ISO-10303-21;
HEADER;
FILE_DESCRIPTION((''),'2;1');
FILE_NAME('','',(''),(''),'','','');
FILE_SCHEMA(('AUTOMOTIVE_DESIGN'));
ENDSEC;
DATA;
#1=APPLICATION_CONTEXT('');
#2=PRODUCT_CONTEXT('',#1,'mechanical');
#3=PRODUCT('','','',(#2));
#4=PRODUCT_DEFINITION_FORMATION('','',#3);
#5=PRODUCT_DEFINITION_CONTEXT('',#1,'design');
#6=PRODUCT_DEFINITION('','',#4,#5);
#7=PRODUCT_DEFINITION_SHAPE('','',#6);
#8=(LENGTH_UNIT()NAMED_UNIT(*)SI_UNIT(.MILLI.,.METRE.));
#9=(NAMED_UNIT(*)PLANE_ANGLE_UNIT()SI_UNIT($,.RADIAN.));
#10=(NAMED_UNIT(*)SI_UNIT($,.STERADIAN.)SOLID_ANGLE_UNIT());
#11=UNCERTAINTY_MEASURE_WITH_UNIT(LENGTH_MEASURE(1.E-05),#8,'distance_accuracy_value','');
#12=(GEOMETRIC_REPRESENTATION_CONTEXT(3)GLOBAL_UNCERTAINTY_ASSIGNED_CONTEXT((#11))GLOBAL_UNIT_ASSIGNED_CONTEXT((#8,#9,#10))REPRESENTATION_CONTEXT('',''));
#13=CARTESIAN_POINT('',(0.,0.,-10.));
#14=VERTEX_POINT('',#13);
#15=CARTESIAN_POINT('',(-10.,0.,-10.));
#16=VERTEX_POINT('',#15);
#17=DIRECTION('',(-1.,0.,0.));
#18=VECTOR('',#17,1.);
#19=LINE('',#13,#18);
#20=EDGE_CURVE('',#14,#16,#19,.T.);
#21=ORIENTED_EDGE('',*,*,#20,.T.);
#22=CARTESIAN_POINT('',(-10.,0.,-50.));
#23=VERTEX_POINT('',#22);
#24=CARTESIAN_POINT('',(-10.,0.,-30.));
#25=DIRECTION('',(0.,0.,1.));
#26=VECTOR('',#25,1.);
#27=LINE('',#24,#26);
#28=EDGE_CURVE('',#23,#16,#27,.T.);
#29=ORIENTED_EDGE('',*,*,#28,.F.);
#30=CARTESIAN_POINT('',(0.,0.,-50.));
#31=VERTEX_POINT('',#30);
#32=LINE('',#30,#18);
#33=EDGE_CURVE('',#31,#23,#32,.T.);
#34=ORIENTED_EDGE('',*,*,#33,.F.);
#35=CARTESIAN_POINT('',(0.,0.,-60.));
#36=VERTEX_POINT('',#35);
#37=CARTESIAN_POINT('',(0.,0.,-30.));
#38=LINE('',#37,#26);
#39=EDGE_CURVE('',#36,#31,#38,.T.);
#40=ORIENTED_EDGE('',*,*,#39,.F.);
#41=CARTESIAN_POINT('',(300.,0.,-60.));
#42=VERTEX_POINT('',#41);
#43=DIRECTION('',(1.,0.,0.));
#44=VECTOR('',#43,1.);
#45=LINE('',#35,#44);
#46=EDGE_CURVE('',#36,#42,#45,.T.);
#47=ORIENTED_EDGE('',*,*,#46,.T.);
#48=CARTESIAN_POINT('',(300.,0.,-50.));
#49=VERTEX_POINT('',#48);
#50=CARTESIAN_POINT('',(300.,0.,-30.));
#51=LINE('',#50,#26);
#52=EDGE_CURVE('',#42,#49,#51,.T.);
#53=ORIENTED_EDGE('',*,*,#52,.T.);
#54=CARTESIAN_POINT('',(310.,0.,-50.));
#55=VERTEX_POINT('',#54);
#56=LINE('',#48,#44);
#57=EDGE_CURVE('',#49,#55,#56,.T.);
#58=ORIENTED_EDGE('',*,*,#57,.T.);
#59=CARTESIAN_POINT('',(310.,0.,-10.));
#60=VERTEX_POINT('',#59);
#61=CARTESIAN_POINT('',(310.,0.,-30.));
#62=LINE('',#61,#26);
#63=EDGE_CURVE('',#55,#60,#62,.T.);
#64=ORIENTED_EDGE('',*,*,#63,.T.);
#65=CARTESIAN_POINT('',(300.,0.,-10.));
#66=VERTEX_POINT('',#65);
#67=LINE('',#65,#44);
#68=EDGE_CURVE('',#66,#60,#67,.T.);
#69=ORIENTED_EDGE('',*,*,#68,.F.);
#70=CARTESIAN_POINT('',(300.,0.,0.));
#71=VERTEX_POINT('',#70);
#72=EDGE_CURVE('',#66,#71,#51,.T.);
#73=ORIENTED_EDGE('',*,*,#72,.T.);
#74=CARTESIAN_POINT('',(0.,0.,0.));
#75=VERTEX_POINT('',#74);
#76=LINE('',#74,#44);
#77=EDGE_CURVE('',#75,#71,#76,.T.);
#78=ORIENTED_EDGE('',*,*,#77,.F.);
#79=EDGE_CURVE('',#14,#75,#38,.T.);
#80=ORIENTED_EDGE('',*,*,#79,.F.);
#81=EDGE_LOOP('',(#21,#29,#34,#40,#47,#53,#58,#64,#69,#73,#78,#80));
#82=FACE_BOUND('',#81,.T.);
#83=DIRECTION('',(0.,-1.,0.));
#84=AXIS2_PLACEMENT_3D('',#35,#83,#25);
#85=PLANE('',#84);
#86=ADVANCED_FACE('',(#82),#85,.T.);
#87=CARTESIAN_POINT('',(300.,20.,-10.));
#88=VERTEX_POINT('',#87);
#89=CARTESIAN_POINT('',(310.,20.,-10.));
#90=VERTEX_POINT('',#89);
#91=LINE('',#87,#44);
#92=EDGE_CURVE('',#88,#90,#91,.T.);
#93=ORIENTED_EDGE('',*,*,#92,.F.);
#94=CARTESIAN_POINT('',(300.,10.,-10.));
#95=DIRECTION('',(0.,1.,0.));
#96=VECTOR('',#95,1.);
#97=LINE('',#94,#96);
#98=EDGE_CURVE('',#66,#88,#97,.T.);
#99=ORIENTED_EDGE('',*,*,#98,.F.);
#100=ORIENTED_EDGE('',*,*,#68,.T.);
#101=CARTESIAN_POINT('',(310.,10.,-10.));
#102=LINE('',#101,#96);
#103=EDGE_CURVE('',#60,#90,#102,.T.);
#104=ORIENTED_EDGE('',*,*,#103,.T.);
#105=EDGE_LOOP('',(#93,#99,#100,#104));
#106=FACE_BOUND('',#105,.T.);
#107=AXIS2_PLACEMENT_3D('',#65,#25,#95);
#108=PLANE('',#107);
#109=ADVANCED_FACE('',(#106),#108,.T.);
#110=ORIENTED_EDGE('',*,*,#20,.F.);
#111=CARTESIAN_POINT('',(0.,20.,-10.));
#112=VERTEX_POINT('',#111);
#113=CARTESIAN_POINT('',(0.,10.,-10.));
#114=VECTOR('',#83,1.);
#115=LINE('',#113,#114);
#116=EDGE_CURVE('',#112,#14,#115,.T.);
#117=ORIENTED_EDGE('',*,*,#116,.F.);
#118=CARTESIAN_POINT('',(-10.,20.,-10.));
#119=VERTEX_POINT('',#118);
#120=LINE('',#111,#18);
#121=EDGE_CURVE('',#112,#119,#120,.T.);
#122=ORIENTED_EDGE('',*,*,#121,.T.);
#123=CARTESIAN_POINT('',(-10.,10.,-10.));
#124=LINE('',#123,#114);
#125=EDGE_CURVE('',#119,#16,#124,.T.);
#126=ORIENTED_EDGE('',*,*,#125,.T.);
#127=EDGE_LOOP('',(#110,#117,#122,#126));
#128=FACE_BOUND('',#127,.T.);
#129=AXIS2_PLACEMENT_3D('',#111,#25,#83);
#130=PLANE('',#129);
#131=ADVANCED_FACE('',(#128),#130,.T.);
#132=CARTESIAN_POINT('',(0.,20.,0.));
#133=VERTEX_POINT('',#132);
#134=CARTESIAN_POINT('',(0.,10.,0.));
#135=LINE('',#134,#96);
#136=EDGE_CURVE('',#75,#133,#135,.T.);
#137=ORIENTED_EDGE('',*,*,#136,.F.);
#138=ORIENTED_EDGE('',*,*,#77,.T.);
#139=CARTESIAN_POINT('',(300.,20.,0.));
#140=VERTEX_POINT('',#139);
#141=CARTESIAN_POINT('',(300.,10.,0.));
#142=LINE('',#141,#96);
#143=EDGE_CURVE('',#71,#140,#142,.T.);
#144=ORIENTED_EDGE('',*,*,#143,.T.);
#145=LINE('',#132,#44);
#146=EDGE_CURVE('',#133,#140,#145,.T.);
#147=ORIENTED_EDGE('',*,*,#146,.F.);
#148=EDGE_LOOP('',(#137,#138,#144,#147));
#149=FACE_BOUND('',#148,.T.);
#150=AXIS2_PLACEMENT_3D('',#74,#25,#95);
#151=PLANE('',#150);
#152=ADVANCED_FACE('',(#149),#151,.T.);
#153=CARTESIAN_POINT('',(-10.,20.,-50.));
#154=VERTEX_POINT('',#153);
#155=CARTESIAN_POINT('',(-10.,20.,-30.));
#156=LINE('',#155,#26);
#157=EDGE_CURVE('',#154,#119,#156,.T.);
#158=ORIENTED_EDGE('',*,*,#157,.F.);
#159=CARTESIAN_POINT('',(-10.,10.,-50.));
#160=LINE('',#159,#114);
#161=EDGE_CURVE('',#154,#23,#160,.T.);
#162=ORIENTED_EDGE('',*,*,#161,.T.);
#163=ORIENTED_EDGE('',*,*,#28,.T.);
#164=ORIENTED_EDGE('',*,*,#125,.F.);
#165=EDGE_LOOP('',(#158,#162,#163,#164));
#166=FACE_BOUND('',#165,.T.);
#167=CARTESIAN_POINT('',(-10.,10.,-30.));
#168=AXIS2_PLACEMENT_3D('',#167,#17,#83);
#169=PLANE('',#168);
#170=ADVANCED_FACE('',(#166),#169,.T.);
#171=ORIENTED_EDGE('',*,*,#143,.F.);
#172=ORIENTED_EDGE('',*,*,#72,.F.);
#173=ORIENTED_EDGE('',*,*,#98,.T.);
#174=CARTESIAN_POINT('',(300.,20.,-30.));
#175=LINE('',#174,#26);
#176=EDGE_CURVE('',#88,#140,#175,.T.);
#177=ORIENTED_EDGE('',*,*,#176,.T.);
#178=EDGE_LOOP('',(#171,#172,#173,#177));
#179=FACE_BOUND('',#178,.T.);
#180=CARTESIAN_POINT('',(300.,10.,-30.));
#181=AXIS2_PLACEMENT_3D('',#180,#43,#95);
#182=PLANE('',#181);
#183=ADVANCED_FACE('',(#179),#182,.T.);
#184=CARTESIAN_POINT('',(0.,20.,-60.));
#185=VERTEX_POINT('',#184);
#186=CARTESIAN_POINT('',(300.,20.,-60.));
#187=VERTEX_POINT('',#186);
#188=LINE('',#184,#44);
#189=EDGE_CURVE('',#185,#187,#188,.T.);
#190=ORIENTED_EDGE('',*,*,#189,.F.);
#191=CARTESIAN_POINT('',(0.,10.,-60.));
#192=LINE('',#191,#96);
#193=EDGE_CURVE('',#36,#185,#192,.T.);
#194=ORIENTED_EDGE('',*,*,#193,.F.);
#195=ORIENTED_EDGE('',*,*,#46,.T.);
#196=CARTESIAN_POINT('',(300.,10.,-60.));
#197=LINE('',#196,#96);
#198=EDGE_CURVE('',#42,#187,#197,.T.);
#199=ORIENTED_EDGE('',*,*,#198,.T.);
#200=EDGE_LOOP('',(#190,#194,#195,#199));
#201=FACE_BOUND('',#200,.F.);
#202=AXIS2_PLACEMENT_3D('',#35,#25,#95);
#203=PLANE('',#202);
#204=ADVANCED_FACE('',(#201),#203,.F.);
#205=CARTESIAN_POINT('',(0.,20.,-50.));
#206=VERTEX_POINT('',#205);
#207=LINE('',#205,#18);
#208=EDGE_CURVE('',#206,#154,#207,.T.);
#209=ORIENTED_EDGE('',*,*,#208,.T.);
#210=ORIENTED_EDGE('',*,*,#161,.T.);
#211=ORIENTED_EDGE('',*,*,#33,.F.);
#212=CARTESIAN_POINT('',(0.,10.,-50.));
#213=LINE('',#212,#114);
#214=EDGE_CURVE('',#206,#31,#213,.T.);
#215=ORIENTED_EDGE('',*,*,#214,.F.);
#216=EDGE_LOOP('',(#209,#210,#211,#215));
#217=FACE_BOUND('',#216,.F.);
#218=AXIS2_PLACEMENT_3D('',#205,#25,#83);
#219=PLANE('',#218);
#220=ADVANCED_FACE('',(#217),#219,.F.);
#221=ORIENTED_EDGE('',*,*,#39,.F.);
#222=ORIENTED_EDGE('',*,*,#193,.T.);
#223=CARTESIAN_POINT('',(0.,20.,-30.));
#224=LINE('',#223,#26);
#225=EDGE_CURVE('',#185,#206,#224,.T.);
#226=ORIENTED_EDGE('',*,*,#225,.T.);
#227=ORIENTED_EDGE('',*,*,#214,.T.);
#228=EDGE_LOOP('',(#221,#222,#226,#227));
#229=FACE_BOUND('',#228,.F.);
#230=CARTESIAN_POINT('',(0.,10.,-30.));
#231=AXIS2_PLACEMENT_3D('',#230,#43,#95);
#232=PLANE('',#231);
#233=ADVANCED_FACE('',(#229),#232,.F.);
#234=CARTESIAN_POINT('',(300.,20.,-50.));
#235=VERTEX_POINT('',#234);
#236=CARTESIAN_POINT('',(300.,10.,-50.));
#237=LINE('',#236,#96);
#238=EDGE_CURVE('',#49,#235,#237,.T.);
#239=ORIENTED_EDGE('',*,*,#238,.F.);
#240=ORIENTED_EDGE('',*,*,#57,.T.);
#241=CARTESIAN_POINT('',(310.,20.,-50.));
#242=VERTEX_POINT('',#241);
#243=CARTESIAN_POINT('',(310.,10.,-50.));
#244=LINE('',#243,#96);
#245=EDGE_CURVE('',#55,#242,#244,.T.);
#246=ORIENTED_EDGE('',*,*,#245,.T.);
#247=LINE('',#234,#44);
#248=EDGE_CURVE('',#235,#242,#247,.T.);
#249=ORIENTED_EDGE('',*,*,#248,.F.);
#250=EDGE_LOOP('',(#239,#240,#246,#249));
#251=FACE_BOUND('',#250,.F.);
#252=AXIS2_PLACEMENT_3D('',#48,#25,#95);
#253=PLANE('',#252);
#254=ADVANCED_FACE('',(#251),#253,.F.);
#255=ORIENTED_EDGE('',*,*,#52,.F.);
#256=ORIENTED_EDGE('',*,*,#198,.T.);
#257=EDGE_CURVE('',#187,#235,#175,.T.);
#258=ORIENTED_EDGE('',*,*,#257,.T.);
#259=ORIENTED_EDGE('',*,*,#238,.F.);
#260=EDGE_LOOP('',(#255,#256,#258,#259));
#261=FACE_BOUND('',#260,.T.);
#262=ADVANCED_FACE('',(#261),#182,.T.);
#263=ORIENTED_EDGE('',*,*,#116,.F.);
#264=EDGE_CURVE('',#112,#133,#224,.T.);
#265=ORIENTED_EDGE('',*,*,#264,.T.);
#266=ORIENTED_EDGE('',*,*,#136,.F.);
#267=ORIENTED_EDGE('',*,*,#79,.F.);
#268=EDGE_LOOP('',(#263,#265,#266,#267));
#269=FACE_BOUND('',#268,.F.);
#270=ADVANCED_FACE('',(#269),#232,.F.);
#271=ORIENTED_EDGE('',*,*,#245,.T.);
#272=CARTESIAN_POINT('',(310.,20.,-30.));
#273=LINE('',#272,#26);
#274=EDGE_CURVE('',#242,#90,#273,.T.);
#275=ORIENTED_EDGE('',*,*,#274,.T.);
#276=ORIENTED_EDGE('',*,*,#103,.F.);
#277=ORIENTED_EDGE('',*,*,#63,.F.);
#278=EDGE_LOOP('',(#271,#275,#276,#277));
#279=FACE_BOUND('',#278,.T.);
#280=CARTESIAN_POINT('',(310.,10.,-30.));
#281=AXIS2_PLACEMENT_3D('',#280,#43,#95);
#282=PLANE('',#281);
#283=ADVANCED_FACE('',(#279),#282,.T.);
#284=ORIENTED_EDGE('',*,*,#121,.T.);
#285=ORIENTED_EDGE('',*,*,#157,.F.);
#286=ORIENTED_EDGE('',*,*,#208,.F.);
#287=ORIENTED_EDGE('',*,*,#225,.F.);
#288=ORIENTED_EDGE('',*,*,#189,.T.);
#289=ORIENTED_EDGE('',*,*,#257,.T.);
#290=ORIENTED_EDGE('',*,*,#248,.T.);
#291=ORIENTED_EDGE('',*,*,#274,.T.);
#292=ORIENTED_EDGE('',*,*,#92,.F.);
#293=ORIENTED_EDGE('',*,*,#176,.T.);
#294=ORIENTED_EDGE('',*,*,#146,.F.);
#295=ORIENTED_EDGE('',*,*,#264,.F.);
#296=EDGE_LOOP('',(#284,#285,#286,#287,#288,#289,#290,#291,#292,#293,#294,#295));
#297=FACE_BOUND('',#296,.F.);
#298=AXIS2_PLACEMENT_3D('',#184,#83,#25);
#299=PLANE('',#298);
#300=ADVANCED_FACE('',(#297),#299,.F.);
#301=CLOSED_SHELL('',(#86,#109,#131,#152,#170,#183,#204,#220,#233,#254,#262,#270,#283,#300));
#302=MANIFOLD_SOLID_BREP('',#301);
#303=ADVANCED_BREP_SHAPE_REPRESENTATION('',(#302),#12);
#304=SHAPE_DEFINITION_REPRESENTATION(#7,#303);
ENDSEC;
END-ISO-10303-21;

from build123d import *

# Parameters (mm, degrees)
F0_W     = 20
F0_H     = 60
F1_DEPTH = 300
F2_W     = 20
F2_H     = 40
F3_DEPTH = 10
F4_W     = 20
F4_H     = 40
F5_DEPTH = 10


with BuildPart() as f1:
    # F0 (on Right) → F1 (new body)
    with BuildSketch(Plane.YZ):
        with Locations((10, -30)):
            Rectangle(F0_W, F0_H)
    extrude(amount=F1_DEPTH)

    # F2 (on face) → F3 (join)
    with BuildSketch(Plane(origin=(0, 0, 0), x_dir=(0, -1, 0), z_dir=(-1, 0, 0))):
        with Locations((-10, -30)):
            Rectangle(F2_W, F2_H)
    extrude(amount=F3_DEPTH)

    # F4 (on face) → F5 (join)
    with BuildSketch(Plane.YZ.offset(300)):
        with Locations((10, -30)):
            Rectangle(F4_W, F4_H)
    extrude(amount=F5_DEPTH)


solid = f1.part
